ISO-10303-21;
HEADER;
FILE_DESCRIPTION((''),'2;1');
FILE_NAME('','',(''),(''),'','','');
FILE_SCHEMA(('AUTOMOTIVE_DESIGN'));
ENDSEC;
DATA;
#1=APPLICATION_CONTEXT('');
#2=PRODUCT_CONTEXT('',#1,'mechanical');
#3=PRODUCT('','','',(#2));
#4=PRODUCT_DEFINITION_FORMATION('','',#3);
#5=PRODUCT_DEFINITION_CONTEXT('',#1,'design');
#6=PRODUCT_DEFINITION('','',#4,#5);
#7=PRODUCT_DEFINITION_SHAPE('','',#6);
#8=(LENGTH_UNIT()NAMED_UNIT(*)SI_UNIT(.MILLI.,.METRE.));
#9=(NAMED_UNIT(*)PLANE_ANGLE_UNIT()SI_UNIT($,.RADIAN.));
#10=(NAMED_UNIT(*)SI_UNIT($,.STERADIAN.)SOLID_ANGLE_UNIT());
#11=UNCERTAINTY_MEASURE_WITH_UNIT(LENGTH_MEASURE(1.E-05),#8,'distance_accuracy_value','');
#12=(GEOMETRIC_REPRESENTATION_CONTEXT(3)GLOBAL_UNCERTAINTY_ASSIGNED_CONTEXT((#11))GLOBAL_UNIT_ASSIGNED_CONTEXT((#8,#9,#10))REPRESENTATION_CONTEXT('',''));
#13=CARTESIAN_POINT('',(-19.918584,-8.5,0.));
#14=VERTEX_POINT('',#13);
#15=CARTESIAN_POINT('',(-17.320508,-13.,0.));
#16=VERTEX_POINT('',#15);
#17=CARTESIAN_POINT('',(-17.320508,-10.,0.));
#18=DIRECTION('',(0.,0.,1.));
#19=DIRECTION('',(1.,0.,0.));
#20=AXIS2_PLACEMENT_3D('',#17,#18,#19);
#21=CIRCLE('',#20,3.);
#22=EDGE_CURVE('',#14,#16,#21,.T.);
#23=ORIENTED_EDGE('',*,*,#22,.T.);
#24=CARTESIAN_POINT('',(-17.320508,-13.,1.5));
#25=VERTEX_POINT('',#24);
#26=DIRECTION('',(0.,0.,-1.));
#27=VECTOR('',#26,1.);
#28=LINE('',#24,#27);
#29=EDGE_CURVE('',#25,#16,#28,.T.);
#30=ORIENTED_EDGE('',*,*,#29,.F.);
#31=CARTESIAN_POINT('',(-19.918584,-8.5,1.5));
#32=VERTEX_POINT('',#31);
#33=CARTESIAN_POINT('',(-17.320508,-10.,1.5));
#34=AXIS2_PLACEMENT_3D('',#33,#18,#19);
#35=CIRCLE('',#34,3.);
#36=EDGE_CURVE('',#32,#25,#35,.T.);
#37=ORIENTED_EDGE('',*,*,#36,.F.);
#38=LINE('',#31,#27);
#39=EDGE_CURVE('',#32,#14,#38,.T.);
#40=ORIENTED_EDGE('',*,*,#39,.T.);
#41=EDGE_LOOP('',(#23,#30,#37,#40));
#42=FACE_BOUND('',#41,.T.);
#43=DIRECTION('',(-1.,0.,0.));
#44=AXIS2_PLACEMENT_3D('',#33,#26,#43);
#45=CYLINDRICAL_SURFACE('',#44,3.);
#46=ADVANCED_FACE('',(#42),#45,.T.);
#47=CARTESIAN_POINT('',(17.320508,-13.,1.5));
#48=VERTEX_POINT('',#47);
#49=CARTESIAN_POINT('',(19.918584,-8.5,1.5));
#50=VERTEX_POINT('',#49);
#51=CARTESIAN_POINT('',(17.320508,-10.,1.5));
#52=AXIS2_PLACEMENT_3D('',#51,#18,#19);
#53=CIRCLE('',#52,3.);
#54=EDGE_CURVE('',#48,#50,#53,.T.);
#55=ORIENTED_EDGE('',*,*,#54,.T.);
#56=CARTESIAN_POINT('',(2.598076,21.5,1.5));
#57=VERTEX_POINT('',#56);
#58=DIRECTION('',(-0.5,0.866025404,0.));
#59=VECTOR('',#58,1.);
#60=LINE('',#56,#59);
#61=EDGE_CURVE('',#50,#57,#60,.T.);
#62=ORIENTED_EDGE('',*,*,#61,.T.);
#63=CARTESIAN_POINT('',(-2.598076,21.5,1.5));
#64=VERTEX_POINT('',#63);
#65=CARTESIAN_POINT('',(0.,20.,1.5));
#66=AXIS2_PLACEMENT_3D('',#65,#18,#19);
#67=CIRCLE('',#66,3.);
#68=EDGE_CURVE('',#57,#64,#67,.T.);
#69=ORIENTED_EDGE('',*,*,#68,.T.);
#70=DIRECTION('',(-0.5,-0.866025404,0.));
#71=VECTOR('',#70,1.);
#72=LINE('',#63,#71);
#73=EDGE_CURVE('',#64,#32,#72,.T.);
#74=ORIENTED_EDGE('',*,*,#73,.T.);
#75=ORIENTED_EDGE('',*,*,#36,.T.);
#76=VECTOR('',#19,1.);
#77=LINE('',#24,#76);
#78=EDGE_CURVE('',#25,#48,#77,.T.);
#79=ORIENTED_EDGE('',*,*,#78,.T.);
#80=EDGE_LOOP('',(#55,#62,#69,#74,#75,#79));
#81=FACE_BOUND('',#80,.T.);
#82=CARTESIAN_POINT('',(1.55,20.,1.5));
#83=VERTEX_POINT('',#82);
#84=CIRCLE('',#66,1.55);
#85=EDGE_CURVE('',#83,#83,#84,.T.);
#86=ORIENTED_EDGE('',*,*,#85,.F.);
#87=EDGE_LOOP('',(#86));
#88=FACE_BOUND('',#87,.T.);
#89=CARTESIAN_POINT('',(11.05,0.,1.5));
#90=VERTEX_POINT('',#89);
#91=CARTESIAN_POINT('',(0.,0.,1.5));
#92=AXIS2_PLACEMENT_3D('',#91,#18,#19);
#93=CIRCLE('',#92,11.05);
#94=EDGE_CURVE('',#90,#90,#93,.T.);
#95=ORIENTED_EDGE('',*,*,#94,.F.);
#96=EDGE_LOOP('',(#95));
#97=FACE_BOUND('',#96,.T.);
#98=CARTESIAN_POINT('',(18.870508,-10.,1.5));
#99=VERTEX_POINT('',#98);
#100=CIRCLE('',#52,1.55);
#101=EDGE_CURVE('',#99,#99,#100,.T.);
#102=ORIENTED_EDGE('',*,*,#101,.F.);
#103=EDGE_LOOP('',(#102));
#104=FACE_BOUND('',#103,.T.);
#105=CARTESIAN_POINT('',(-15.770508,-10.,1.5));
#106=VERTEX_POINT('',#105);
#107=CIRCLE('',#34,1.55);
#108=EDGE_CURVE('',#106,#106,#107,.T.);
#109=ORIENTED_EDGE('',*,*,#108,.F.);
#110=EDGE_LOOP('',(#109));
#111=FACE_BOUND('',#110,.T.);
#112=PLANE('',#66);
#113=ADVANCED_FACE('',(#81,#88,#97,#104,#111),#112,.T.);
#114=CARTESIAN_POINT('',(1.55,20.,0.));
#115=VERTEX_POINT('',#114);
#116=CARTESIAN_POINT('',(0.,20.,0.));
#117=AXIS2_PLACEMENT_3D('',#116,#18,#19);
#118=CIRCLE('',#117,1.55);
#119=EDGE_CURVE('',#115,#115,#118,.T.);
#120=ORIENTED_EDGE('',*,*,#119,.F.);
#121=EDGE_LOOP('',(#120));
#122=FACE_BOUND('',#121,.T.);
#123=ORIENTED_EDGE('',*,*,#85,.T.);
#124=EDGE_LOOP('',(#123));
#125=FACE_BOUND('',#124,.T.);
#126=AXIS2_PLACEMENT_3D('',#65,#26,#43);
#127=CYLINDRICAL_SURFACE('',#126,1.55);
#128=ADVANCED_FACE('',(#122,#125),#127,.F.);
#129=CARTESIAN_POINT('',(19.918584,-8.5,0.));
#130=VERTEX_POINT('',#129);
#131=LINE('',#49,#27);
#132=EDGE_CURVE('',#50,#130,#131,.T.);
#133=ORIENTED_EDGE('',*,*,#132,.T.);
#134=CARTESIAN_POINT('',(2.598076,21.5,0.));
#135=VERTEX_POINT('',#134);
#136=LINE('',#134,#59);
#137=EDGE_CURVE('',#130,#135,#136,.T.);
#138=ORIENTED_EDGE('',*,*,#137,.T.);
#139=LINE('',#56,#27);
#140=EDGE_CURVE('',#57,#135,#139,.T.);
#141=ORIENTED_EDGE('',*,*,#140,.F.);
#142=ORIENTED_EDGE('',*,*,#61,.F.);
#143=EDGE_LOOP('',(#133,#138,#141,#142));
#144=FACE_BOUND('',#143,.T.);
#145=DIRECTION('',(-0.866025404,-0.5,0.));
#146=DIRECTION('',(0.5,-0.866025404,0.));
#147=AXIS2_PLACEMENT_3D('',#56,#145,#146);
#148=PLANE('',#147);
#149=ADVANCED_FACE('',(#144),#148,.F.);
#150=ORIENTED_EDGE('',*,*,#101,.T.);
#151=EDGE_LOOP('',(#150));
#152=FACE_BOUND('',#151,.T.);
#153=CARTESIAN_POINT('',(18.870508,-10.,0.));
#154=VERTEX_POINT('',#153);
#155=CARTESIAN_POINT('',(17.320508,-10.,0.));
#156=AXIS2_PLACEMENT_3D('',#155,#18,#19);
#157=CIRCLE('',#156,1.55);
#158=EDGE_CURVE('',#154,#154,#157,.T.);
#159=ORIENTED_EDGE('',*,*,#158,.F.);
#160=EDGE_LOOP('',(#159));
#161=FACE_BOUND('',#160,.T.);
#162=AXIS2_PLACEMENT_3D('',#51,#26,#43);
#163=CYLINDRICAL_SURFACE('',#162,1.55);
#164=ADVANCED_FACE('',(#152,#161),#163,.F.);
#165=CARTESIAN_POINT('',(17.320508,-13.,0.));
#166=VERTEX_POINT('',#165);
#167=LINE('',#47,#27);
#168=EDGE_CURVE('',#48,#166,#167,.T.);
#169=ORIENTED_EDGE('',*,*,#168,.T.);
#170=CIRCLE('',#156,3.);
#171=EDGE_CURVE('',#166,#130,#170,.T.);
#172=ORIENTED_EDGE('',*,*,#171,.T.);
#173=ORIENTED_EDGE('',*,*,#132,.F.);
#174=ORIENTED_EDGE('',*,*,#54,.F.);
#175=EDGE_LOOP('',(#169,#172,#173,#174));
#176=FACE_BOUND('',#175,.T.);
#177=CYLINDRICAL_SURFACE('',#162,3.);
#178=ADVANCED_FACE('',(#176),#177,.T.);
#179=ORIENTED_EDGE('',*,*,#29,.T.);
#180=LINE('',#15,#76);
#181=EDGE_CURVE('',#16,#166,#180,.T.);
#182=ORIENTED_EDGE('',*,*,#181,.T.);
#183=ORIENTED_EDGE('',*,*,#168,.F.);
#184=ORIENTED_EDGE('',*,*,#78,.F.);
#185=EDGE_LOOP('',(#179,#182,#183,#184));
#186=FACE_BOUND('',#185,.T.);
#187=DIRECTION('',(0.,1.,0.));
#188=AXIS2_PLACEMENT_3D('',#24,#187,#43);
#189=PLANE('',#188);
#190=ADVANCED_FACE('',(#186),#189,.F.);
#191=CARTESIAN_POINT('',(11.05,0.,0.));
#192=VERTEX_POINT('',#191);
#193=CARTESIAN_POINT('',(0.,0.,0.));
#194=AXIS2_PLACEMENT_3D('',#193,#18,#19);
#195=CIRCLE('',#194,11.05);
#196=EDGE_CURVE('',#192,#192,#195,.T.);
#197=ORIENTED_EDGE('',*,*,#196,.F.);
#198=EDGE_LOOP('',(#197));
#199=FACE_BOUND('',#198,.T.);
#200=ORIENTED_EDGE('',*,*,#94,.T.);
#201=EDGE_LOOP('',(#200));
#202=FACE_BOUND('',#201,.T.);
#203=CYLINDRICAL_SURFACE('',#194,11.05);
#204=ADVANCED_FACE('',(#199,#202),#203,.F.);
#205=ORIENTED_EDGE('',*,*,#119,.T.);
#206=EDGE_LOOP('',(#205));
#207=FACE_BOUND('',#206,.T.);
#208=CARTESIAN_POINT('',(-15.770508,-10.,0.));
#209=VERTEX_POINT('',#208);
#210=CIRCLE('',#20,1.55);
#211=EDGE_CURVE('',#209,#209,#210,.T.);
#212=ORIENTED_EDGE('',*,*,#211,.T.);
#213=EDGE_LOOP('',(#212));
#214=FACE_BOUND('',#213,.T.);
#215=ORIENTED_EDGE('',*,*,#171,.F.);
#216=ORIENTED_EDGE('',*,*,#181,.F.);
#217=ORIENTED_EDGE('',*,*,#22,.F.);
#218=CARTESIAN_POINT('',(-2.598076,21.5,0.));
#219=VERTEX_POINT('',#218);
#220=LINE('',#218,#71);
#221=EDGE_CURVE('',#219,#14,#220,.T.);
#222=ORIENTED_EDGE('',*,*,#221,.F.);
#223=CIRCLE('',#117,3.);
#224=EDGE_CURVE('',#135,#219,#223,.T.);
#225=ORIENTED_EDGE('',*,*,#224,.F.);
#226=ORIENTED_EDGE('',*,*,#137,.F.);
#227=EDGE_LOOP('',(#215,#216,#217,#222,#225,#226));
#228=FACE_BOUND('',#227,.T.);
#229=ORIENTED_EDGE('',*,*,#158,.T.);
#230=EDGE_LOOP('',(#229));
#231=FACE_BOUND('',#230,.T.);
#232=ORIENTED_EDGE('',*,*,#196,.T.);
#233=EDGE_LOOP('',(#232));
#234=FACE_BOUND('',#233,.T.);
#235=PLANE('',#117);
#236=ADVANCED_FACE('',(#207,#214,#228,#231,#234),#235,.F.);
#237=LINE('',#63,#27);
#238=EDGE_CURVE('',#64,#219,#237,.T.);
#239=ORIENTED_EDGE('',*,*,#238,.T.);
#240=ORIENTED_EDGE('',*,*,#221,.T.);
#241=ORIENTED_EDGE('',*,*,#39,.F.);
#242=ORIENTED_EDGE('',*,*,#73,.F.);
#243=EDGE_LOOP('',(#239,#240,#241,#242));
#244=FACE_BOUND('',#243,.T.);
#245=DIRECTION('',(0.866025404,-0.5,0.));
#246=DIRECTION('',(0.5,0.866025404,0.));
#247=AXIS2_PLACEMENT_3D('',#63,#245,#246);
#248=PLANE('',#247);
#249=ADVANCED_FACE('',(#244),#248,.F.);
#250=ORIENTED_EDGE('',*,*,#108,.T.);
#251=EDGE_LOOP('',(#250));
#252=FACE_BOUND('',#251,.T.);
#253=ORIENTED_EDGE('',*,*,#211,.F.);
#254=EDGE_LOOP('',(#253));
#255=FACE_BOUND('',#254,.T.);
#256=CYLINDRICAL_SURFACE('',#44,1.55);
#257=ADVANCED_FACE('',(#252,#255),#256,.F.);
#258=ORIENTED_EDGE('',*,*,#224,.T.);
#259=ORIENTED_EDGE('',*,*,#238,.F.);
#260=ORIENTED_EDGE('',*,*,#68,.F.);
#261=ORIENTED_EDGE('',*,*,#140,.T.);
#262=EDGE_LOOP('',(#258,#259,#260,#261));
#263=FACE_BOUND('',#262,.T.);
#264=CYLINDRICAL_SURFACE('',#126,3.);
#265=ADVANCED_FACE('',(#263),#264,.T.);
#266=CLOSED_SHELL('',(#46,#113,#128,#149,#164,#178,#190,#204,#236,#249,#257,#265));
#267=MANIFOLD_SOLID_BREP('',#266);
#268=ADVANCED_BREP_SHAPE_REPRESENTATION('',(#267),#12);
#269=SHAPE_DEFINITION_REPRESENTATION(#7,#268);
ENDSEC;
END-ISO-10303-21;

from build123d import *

# Parameters (mm, degrees)
SKETCH_1_R          = 1.55
EXTRUDE_1_DEPTH     = 1.5
SKETCH_2_R          = 11.05
CUT_EXTRUDE_1_DEPTH = 1.5


with BuildPart() as part:
    # 草图1 → 凸台-拉伸1 (new body)
    with BuildSketch(Plane.XY):
        with BuildLine():
            Line((-2.598076211, 21.5), (-19.918584287, -8.5))
            ThreePointArc((-19.918584287, -8.5), (-19.918584287, -11.5), (-17.320508076, -13))
            Line((-17.320508076, -13), (17.320508076, -13))
            ThreePointArc((17.320508076, -13), (19.918584287, -11.5), (19.918584287, -8.5))
            Line((19.918584287, -8.5), (2.598076211, 21.5))
            ThreePointArc((2.598076211, 21.5), (0, 23), (-2.598076211, 21.5))
        make_face()
        with Locations((0, 20)):
            Circle(SKETCH_1_R, mode=Mode.SUBTRACT)
        with Locations((-17.320508076, -10)):
            Circle(SKETCH_1_R, mode=Mode.SUBTRACT)
        with Locations((17.320508076, -10)):
            Circle(SKETCH_1_R, mode=Mode.SUBTRACT)
    extrude(amount=EXTRUDE_1_DEPTH)

    # 草图2 → 切除-拉伸1 (cut)
    with BuildSketch(Plane.XY.offset(1.5)):
        Circle(SKETCH_2_R)
    extrude(amount=-CUT_EXTRUDE_1_DEPTH, mode=Mode.SUBTRACT)


solid = part.part
